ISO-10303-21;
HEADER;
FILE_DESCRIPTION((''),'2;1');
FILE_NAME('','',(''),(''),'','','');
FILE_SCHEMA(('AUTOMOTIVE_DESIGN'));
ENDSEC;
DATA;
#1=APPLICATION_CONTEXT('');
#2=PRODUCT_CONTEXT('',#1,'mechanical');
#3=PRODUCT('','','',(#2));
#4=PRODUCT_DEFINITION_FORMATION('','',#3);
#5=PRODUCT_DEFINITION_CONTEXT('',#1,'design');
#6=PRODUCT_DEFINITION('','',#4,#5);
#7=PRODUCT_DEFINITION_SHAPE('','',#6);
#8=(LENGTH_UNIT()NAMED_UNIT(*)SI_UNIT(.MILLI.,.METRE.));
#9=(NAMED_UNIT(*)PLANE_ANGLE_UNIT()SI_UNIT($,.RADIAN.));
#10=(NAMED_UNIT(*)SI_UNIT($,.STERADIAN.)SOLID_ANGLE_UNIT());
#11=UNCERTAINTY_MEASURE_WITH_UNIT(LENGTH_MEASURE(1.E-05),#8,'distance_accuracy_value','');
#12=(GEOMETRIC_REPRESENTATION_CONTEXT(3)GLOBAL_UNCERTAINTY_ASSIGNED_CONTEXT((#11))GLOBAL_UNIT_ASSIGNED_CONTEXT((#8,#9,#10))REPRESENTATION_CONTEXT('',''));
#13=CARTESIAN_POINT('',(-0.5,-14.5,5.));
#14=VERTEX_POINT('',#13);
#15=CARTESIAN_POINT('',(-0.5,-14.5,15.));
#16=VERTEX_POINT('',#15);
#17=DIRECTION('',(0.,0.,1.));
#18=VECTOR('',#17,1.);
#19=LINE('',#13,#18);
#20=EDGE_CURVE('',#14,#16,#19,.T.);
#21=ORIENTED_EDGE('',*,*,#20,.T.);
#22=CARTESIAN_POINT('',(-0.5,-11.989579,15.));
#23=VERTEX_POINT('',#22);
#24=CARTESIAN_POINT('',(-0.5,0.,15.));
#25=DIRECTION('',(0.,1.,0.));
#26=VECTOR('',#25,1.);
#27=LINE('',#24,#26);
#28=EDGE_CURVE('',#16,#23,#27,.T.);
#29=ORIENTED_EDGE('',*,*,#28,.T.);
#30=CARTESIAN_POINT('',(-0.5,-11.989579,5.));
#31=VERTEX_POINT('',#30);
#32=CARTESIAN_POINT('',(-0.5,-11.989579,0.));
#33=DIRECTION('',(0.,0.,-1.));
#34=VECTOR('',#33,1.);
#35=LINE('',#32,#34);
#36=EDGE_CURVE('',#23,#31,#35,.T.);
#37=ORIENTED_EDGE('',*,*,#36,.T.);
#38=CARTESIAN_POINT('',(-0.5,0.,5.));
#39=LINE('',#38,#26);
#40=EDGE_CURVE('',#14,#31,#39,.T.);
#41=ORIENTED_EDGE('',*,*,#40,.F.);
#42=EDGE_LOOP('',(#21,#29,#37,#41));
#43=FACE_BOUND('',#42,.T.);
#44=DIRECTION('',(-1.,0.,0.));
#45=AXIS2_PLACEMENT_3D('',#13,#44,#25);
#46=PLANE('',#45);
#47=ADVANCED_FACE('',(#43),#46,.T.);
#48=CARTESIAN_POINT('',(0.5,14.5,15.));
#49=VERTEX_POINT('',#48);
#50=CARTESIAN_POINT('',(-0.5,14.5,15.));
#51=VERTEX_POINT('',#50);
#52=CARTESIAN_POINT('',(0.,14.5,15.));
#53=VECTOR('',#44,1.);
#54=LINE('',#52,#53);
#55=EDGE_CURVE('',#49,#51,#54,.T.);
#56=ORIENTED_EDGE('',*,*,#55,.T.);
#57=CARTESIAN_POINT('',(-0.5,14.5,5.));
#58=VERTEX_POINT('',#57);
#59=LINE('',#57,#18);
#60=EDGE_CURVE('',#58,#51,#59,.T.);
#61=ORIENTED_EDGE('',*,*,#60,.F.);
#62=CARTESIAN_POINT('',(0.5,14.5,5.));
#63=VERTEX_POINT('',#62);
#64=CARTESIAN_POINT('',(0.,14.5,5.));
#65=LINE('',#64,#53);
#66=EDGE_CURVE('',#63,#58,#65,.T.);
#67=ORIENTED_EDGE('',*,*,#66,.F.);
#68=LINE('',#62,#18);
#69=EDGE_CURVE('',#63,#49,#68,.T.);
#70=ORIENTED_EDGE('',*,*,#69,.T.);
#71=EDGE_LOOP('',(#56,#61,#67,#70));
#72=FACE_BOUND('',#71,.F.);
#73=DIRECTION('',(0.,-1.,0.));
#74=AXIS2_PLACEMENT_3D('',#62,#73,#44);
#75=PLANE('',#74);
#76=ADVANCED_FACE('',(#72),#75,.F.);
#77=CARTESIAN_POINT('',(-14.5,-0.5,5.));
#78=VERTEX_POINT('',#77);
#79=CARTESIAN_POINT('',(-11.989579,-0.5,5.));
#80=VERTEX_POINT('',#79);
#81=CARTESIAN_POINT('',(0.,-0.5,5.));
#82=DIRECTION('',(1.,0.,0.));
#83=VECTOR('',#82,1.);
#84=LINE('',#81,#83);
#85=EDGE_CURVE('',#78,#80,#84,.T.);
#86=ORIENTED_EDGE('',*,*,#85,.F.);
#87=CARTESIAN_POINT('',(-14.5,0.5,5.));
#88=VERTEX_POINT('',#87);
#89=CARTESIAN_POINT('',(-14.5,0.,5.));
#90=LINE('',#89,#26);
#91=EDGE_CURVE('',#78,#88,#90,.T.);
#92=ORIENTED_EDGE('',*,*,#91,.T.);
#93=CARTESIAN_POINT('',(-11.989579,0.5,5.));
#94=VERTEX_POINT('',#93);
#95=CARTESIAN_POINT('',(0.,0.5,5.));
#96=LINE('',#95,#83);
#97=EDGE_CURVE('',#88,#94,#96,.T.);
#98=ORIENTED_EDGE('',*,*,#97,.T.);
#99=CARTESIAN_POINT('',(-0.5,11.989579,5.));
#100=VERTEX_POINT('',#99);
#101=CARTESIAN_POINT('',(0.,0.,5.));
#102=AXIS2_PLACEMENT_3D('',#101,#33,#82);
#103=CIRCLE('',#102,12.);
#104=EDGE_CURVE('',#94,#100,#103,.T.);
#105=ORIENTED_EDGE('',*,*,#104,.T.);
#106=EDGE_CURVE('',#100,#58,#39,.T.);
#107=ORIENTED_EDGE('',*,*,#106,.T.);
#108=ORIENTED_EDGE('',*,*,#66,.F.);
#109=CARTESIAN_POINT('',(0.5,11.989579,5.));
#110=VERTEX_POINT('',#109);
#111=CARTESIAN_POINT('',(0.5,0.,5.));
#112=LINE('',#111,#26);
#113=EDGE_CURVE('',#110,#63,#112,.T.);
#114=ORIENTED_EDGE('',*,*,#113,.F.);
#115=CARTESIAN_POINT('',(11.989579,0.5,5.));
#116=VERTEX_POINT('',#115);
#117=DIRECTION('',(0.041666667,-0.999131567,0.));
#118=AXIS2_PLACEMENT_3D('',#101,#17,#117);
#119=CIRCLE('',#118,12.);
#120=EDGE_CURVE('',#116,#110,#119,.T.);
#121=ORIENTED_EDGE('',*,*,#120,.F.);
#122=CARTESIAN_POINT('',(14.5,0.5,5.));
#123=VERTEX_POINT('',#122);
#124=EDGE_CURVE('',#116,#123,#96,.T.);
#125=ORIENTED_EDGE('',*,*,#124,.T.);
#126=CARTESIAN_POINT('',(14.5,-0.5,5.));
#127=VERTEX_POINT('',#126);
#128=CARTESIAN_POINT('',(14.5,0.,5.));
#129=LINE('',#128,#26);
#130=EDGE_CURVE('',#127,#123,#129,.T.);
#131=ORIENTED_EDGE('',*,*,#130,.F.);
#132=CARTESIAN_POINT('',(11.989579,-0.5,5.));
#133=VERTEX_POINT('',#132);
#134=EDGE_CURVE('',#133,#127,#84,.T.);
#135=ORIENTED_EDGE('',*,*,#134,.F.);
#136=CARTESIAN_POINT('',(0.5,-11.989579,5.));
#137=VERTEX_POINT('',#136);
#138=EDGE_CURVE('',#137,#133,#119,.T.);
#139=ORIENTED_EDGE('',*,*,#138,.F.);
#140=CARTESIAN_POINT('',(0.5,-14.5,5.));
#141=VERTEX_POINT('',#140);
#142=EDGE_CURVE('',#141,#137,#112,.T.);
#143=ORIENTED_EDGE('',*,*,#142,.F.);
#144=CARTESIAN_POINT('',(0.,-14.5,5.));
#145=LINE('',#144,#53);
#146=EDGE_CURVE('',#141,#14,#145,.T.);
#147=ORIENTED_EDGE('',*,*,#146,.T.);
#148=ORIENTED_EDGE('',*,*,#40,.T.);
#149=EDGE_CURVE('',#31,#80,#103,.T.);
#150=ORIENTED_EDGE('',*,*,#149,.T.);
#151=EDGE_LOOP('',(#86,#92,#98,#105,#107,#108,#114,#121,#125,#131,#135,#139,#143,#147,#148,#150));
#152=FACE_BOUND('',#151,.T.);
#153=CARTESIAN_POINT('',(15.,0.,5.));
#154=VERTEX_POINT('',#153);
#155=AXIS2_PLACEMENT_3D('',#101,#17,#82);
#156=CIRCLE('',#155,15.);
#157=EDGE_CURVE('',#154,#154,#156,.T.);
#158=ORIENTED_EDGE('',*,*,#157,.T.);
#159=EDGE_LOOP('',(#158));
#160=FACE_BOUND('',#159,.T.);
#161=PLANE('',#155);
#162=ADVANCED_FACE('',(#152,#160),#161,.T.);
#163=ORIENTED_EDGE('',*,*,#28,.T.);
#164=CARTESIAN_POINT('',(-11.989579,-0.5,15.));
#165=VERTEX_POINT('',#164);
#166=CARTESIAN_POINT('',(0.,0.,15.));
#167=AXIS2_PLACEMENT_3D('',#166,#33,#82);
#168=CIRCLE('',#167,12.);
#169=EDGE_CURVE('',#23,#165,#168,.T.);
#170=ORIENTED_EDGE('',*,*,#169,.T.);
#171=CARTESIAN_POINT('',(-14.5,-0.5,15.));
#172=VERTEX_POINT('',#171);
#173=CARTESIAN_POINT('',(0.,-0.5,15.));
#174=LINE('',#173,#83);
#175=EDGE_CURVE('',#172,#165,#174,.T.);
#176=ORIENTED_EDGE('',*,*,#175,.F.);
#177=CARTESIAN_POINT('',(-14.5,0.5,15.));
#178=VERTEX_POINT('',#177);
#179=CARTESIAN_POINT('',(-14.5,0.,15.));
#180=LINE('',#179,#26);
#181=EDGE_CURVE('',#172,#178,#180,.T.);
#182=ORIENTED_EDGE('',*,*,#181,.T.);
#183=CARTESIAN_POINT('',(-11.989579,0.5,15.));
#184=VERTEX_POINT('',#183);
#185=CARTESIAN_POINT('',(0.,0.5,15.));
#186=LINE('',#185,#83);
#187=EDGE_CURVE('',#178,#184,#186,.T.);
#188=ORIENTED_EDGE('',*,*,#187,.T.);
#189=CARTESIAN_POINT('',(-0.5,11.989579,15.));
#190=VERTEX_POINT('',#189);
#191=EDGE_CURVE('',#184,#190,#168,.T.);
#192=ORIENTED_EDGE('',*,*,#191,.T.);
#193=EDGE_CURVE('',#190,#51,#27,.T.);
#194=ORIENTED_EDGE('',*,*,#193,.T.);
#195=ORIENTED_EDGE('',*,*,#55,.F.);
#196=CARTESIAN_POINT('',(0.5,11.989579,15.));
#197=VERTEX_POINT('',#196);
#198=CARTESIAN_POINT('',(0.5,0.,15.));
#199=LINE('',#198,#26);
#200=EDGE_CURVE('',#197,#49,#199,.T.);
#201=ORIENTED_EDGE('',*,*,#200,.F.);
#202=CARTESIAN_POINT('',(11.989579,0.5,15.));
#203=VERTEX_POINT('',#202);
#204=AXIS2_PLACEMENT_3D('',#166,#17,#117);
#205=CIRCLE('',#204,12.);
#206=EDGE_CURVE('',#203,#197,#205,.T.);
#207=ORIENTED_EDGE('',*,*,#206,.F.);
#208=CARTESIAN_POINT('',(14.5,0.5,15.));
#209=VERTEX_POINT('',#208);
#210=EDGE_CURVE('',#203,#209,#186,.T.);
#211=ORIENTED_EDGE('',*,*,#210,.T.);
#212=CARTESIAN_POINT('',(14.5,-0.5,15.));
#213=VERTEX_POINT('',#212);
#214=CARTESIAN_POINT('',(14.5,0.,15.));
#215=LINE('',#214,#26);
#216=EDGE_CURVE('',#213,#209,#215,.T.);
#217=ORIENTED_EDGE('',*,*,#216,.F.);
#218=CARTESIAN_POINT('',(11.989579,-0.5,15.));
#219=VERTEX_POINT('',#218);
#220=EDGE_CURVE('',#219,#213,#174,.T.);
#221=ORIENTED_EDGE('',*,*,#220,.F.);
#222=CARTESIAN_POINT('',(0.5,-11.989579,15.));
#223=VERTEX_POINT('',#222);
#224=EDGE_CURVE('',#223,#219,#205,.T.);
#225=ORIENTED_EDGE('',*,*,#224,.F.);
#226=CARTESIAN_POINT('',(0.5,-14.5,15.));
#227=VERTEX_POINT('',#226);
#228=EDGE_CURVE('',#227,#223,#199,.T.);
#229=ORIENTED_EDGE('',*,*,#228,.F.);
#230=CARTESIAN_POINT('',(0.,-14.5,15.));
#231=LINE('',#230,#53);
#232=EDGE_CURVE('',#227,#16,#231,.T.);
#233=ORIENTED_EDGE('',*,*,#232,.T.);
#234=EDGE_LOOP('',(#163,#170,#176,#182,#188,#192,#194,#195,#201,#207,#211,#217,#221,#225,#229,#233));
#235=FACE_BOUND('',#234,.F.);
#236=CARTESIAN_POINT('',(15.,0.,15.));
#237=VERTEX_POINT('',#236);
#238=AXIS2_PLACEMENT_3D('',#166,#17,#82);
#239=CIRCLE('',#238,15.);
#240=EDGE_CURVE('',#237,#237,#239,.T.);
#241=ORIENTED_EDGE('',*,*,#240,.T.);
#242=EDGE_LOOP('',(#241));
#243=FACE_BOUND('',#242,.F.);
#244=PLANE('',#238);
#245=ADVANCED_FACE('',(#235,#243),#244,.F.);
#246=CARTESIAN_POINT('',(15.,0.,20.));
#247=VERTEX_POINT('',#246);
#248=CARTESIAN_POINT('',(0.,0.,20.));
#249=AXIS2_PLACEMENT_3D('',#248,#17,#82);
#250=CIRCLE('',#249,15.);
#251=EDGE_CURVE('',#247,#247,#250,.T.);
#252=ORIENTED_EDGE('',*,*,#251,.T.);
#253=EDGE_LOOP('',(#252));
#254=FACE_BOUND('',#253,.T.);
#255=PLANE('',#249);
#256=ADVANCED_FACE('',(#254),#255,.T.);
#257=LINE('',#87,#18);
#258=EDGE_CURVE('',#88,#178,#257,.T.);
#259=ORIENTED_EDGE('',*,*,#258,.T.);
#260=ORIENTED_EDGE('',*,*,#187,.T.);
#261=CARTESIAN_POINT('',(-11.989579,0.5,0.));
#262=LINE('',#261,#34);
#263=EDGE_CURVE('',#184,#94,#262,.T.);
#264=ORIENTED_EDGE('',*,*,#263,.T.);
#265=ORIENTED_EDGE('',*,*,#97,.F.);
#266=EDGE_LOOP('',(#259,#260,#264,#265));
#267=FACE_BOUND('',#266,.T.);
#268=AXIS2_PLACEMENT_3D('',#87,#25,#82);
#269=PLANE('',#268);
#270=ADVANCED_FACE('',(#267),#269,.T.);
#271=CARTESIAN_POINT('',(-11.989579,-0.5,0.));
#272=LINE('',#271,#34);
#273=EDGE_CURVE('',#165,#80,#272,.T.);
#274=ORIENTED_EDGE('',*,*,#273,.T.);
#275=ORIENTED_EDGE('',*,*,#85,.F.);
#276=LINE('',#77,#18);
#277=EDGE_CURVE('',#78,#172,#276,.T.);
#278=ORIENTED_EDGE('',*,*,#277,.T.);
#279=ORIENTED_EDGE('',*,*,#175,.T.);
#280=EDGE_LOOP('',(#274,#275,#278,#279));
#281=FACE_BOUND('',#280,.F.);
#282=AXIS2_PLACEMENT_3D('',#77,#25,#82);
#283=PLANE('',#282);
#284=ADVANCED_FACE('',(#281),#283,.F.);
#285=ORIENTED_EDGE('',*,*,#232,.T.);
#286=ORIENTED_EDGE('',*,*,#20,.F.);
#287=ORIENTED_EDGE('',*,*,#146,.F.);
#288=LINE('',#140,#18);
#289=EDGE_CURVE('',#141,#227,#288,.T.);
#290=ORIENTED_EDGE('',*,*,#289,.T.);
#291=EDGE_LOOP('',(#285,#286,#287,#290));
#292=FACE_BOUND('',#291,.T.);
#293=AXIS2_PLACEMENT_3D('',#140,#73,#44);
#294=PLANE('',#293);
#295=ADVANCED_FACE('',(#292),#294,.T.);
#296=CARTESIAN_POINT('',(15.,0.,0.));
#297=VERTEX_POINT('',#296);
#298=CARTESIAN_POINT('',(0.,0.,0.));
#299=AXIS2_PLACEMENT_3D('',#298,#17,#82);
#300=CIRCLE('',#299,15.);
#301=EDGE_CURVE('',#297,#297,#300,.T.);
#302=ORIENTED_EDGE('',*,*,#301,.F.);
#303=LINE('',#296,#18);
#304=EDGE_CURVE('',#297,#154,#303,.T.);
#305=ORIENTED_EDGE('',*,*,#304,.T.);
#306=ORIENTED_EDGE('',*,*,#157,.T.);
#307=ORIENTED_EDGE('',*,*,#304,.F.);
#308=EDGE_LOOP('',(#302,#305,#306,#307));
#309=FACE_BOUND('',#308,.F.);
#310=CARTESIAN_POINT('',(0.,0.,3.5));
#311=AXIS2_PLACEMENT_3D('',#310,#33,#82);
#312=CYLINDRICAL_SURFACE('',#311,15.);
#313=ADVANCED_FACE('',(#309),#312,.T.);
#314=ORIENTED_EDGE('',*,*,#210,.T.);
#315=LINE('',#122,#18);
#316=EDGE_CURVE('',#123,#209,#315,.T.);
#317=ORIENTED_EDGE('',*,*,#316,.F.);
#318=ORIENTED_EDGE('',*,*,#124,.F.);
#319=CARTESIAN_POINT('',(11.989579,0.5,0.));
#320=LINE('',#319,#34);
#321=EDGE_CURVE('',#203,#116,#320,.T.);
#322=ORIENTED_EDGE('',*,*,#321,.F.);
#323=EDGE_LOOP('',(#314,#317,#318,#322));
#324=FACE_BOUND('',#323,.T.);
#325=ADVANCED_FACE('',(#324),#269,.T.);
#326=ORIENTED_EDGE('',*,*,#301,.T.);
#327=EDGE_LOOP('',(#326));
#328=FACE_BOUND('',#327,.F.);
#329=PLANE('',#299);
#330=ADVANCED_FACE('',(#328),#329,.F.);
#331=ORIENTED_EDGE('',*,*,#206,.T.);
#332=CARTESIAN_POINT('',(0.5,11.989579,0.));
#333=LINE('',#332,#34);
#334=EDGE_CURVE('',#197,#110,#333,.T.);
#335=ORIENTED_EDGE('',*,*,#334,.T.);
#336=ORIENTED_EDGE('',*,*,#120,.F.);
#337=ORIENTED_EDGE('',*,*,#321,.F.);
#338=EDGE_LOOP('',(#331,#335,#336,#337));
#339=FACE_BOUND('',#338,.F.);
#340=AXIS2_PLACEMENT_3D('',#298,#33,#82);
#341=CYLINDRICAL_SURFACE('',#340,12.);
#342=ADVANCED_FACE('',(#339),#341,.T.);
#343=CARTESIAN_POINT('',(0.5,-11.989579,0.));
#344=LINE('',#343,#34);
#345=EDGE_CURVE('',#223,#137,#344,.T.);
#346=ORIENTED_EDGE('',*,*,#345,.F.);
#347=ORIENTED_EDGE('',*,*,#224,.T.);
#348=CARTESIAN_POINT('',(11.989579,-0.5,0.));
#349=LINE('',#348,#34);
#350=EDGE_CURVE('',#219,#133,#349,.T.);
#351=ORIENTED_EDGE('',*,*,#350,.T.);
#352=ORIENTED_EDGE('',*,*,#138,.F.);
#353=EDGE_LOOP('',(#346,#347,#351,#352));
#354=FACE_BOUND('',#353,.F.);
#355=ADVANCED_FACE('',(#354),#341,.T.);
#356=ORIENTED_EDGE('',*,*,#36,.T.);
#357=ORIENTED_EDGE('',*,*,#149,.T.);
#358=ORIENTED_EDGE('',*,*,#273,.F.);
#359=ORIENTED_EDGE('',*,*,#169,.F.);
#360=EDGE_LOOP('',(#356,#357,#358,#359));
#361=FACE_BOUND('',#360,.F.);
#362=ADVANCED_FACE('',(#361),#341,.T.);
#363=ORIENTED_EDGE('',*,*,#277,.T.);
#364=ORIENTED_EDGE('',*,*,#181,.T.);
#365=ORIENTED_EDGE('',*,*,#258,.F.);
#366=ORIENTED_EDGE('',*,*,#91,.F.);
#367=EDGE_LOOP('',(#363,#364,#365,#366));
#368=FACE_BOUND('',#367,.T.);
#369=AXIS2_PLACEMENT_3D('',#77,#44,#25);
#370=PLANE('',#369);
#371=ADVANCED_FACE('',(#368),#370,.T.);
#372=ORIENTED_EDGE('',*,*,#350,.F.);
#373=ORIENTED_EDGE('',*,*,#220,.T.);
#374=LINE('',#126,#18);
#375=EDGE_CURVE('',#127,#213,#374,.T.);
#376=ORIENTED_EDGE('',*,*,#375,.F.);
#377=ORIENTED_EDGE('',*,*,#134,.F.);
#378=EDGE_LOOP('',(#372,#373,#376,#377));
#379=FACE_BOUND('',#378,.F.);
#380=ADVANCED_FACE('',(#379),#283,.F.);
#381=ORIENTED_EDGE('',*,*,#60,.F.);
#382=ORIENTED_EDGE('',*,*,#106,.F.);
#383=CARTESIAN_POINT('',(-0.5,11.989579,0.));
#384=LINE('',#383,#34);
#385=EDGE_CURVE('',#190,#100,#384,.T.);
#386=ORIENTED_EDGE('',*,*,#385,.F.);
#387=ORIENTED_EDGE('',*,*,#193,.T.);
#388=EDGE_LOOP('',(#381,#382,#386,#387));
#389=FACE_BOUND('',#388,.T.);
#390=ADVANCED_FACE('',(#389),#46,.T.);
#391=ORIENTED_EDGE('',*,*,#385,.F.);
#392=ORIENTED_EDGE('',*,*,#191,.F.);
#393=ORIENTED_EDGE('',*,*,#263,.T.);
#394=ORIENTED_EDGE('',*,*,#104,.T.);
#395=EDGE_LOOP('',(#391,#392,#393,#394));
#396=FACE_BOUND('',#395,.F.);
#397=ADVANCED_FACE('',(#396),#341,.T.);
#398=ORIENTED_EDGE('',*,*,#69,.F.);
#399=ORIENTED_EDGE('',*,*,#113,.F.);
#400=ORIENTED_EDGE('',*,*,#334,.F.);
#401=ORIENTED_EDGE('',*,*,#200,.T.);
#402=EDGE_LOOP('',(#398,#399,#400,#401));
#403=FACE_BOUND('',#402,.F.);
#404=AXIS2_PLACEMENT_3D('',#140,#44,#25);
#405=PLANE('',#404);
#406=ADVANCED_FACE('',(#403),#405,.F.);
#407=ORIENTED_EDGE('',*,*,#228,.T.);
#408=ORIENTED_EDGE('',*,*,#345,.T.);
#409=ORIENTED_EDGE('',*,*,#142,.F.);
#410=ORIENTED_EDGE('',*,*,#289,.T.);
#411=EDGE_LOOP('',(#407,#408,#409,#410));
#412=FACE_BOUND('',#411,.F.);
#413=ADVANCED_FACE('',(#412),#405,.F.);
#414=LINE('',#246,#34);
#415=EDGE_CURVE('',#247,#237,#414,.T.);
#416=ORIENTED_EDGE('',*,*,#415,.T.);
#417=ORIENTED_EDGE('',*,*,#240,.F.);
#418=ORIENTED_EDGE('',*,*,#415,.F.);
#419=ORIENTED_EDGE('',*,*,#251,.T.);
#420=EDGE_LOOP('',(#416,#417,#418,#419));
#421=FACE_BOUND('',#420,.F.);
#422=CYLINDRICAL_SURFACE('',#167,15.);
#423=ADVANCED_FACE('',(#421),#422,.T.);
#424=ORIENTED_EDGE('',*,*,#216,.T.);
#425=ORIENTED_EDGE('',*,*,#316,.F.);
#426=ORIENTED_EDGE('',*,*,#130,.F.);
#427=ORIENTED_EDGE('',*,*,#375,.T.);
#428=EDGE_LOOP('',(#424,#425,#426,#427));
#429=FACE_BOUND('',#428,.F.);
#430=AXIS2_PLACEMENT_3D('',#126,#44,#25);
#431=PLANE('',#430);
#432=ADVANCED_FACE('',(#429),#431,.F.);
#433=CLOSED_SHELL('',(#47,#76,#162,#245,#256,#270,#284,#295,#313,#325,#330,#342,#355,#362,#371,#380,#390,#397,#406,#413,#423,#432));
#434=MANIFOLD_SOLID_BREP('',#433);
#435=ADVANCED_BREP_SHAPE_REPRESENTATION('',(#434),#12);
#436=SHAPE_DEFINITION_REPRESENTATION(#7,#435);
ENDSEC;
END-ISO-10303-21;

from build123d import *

# Parameters (mm, degrees)
CYLINDER005_R               = 12
CYLINDER005_DEPTH           = 20
CYLINDER006_R               = 15
CYLINDER006_DEPTH           = 3.5
CYLINDER007_R               = 15
CYLINDER007_DEPTH           = 1.5
CYLINDER008_R               = 15
CYLINDER008_DEPTH           = 1.5
CYLINDER009_R               = 15
CYLINDER009_DEPTH           = 3.5
BOX002_W                    = 29
BOX002_H                    = 1
BOX002_DEPTH                = 10
BOX003_W                    = 29
BOX003_H                    = 1
BOX003_DEPTH                = 10
COMPOUND001_PLACEMENT_ANGLE = 90


with BuildPart() as cylinder005:
    # Cylinder005 → Cylinder005 (new body)
    with BuildSketch(Plane.XY):
        Circle(CYLINDER005_R)
    extrude(amount=CYLINDER005_DEPTH)


with BuildPart() as cylinder006:
    # Cylinder006 → Cylinder006 (new body)
    with BuildSketch(Plane.XY):
        Circle(CYLINDER006_R)
    extrude(amount=CYLINDER006_DEPTH)


with BuildPart() as cylinder007:
    # Cylinder007 → Cylinder007 (new body)
    with BuildSketch(Plane.XY.offset(3.5)):
        Circle(CYLINDER007_R)
    extrude(amount=CYLINDER007_DEPTH)


with BuildPart() as cylinder008:
    # Cylinder008 → Cylinder008 (new body)
    with BuildSketch(Plane.XY.offset(18.5)):
        Circle(CYLINDER008_R)
    extrude(amount=CYLINDER008_DEPTH)


with BuildPart() as cylinder009:
    # Cylinder009 → Cylinder009 (new body)
    with BuildSketch(Plane.XY.offset(15)):
        Circle(CYLINDER009_R)
    extrude(amount=CYLINDER009_DEPTH)


with BuildPart() as cube002:
    # Box002 → Box002 (new body)
    with BuildSketch(Plane(origin=(-14.5, -0.5, 5), x_dir=(1, 0, 0), z_dir=(0, 0, 1))):
        with Locations((14.5, 0.5)):
            Rectangle(BOX002_W, BOX002_H)
    extrude(amount=BOX002_DEPTH)


with BuildPart() as basewheel_filledsides:
    # Box003 → Box003 (new body)
    with BuildSketch(Plane(origin=(-14.5, -0.5, 5), x_dir=(1, 0, 0), z_dir=(0, 0, 1))):
        with Locations((14.5, 0.5)):
            Rectangle(BOX003_W, BOX003_H)
    extrude(amount=BOX003_DEPTH)


with BuildPart() as basewheel_filledsides_1:
    # Compound001 placement: moved
    add(basewheel_filledsides.part.rotate(Axis((0, 0, 0), (0, 0, 1)), COMPOUND001_PLACEMENT_ANGLE))

    # Fusion001: union Cylinder005, Cylinder006, Cylinder007, Cylinder008, Cylinder009, Cube002
    add(cylinder005.part)
    add(cylinder006.part)
    add(cylinder007.part)
    add(cylinder008.part)
    add(cylinder009.part)
    add(cube002.part)


solid = basewheel_filledsides_1.part
